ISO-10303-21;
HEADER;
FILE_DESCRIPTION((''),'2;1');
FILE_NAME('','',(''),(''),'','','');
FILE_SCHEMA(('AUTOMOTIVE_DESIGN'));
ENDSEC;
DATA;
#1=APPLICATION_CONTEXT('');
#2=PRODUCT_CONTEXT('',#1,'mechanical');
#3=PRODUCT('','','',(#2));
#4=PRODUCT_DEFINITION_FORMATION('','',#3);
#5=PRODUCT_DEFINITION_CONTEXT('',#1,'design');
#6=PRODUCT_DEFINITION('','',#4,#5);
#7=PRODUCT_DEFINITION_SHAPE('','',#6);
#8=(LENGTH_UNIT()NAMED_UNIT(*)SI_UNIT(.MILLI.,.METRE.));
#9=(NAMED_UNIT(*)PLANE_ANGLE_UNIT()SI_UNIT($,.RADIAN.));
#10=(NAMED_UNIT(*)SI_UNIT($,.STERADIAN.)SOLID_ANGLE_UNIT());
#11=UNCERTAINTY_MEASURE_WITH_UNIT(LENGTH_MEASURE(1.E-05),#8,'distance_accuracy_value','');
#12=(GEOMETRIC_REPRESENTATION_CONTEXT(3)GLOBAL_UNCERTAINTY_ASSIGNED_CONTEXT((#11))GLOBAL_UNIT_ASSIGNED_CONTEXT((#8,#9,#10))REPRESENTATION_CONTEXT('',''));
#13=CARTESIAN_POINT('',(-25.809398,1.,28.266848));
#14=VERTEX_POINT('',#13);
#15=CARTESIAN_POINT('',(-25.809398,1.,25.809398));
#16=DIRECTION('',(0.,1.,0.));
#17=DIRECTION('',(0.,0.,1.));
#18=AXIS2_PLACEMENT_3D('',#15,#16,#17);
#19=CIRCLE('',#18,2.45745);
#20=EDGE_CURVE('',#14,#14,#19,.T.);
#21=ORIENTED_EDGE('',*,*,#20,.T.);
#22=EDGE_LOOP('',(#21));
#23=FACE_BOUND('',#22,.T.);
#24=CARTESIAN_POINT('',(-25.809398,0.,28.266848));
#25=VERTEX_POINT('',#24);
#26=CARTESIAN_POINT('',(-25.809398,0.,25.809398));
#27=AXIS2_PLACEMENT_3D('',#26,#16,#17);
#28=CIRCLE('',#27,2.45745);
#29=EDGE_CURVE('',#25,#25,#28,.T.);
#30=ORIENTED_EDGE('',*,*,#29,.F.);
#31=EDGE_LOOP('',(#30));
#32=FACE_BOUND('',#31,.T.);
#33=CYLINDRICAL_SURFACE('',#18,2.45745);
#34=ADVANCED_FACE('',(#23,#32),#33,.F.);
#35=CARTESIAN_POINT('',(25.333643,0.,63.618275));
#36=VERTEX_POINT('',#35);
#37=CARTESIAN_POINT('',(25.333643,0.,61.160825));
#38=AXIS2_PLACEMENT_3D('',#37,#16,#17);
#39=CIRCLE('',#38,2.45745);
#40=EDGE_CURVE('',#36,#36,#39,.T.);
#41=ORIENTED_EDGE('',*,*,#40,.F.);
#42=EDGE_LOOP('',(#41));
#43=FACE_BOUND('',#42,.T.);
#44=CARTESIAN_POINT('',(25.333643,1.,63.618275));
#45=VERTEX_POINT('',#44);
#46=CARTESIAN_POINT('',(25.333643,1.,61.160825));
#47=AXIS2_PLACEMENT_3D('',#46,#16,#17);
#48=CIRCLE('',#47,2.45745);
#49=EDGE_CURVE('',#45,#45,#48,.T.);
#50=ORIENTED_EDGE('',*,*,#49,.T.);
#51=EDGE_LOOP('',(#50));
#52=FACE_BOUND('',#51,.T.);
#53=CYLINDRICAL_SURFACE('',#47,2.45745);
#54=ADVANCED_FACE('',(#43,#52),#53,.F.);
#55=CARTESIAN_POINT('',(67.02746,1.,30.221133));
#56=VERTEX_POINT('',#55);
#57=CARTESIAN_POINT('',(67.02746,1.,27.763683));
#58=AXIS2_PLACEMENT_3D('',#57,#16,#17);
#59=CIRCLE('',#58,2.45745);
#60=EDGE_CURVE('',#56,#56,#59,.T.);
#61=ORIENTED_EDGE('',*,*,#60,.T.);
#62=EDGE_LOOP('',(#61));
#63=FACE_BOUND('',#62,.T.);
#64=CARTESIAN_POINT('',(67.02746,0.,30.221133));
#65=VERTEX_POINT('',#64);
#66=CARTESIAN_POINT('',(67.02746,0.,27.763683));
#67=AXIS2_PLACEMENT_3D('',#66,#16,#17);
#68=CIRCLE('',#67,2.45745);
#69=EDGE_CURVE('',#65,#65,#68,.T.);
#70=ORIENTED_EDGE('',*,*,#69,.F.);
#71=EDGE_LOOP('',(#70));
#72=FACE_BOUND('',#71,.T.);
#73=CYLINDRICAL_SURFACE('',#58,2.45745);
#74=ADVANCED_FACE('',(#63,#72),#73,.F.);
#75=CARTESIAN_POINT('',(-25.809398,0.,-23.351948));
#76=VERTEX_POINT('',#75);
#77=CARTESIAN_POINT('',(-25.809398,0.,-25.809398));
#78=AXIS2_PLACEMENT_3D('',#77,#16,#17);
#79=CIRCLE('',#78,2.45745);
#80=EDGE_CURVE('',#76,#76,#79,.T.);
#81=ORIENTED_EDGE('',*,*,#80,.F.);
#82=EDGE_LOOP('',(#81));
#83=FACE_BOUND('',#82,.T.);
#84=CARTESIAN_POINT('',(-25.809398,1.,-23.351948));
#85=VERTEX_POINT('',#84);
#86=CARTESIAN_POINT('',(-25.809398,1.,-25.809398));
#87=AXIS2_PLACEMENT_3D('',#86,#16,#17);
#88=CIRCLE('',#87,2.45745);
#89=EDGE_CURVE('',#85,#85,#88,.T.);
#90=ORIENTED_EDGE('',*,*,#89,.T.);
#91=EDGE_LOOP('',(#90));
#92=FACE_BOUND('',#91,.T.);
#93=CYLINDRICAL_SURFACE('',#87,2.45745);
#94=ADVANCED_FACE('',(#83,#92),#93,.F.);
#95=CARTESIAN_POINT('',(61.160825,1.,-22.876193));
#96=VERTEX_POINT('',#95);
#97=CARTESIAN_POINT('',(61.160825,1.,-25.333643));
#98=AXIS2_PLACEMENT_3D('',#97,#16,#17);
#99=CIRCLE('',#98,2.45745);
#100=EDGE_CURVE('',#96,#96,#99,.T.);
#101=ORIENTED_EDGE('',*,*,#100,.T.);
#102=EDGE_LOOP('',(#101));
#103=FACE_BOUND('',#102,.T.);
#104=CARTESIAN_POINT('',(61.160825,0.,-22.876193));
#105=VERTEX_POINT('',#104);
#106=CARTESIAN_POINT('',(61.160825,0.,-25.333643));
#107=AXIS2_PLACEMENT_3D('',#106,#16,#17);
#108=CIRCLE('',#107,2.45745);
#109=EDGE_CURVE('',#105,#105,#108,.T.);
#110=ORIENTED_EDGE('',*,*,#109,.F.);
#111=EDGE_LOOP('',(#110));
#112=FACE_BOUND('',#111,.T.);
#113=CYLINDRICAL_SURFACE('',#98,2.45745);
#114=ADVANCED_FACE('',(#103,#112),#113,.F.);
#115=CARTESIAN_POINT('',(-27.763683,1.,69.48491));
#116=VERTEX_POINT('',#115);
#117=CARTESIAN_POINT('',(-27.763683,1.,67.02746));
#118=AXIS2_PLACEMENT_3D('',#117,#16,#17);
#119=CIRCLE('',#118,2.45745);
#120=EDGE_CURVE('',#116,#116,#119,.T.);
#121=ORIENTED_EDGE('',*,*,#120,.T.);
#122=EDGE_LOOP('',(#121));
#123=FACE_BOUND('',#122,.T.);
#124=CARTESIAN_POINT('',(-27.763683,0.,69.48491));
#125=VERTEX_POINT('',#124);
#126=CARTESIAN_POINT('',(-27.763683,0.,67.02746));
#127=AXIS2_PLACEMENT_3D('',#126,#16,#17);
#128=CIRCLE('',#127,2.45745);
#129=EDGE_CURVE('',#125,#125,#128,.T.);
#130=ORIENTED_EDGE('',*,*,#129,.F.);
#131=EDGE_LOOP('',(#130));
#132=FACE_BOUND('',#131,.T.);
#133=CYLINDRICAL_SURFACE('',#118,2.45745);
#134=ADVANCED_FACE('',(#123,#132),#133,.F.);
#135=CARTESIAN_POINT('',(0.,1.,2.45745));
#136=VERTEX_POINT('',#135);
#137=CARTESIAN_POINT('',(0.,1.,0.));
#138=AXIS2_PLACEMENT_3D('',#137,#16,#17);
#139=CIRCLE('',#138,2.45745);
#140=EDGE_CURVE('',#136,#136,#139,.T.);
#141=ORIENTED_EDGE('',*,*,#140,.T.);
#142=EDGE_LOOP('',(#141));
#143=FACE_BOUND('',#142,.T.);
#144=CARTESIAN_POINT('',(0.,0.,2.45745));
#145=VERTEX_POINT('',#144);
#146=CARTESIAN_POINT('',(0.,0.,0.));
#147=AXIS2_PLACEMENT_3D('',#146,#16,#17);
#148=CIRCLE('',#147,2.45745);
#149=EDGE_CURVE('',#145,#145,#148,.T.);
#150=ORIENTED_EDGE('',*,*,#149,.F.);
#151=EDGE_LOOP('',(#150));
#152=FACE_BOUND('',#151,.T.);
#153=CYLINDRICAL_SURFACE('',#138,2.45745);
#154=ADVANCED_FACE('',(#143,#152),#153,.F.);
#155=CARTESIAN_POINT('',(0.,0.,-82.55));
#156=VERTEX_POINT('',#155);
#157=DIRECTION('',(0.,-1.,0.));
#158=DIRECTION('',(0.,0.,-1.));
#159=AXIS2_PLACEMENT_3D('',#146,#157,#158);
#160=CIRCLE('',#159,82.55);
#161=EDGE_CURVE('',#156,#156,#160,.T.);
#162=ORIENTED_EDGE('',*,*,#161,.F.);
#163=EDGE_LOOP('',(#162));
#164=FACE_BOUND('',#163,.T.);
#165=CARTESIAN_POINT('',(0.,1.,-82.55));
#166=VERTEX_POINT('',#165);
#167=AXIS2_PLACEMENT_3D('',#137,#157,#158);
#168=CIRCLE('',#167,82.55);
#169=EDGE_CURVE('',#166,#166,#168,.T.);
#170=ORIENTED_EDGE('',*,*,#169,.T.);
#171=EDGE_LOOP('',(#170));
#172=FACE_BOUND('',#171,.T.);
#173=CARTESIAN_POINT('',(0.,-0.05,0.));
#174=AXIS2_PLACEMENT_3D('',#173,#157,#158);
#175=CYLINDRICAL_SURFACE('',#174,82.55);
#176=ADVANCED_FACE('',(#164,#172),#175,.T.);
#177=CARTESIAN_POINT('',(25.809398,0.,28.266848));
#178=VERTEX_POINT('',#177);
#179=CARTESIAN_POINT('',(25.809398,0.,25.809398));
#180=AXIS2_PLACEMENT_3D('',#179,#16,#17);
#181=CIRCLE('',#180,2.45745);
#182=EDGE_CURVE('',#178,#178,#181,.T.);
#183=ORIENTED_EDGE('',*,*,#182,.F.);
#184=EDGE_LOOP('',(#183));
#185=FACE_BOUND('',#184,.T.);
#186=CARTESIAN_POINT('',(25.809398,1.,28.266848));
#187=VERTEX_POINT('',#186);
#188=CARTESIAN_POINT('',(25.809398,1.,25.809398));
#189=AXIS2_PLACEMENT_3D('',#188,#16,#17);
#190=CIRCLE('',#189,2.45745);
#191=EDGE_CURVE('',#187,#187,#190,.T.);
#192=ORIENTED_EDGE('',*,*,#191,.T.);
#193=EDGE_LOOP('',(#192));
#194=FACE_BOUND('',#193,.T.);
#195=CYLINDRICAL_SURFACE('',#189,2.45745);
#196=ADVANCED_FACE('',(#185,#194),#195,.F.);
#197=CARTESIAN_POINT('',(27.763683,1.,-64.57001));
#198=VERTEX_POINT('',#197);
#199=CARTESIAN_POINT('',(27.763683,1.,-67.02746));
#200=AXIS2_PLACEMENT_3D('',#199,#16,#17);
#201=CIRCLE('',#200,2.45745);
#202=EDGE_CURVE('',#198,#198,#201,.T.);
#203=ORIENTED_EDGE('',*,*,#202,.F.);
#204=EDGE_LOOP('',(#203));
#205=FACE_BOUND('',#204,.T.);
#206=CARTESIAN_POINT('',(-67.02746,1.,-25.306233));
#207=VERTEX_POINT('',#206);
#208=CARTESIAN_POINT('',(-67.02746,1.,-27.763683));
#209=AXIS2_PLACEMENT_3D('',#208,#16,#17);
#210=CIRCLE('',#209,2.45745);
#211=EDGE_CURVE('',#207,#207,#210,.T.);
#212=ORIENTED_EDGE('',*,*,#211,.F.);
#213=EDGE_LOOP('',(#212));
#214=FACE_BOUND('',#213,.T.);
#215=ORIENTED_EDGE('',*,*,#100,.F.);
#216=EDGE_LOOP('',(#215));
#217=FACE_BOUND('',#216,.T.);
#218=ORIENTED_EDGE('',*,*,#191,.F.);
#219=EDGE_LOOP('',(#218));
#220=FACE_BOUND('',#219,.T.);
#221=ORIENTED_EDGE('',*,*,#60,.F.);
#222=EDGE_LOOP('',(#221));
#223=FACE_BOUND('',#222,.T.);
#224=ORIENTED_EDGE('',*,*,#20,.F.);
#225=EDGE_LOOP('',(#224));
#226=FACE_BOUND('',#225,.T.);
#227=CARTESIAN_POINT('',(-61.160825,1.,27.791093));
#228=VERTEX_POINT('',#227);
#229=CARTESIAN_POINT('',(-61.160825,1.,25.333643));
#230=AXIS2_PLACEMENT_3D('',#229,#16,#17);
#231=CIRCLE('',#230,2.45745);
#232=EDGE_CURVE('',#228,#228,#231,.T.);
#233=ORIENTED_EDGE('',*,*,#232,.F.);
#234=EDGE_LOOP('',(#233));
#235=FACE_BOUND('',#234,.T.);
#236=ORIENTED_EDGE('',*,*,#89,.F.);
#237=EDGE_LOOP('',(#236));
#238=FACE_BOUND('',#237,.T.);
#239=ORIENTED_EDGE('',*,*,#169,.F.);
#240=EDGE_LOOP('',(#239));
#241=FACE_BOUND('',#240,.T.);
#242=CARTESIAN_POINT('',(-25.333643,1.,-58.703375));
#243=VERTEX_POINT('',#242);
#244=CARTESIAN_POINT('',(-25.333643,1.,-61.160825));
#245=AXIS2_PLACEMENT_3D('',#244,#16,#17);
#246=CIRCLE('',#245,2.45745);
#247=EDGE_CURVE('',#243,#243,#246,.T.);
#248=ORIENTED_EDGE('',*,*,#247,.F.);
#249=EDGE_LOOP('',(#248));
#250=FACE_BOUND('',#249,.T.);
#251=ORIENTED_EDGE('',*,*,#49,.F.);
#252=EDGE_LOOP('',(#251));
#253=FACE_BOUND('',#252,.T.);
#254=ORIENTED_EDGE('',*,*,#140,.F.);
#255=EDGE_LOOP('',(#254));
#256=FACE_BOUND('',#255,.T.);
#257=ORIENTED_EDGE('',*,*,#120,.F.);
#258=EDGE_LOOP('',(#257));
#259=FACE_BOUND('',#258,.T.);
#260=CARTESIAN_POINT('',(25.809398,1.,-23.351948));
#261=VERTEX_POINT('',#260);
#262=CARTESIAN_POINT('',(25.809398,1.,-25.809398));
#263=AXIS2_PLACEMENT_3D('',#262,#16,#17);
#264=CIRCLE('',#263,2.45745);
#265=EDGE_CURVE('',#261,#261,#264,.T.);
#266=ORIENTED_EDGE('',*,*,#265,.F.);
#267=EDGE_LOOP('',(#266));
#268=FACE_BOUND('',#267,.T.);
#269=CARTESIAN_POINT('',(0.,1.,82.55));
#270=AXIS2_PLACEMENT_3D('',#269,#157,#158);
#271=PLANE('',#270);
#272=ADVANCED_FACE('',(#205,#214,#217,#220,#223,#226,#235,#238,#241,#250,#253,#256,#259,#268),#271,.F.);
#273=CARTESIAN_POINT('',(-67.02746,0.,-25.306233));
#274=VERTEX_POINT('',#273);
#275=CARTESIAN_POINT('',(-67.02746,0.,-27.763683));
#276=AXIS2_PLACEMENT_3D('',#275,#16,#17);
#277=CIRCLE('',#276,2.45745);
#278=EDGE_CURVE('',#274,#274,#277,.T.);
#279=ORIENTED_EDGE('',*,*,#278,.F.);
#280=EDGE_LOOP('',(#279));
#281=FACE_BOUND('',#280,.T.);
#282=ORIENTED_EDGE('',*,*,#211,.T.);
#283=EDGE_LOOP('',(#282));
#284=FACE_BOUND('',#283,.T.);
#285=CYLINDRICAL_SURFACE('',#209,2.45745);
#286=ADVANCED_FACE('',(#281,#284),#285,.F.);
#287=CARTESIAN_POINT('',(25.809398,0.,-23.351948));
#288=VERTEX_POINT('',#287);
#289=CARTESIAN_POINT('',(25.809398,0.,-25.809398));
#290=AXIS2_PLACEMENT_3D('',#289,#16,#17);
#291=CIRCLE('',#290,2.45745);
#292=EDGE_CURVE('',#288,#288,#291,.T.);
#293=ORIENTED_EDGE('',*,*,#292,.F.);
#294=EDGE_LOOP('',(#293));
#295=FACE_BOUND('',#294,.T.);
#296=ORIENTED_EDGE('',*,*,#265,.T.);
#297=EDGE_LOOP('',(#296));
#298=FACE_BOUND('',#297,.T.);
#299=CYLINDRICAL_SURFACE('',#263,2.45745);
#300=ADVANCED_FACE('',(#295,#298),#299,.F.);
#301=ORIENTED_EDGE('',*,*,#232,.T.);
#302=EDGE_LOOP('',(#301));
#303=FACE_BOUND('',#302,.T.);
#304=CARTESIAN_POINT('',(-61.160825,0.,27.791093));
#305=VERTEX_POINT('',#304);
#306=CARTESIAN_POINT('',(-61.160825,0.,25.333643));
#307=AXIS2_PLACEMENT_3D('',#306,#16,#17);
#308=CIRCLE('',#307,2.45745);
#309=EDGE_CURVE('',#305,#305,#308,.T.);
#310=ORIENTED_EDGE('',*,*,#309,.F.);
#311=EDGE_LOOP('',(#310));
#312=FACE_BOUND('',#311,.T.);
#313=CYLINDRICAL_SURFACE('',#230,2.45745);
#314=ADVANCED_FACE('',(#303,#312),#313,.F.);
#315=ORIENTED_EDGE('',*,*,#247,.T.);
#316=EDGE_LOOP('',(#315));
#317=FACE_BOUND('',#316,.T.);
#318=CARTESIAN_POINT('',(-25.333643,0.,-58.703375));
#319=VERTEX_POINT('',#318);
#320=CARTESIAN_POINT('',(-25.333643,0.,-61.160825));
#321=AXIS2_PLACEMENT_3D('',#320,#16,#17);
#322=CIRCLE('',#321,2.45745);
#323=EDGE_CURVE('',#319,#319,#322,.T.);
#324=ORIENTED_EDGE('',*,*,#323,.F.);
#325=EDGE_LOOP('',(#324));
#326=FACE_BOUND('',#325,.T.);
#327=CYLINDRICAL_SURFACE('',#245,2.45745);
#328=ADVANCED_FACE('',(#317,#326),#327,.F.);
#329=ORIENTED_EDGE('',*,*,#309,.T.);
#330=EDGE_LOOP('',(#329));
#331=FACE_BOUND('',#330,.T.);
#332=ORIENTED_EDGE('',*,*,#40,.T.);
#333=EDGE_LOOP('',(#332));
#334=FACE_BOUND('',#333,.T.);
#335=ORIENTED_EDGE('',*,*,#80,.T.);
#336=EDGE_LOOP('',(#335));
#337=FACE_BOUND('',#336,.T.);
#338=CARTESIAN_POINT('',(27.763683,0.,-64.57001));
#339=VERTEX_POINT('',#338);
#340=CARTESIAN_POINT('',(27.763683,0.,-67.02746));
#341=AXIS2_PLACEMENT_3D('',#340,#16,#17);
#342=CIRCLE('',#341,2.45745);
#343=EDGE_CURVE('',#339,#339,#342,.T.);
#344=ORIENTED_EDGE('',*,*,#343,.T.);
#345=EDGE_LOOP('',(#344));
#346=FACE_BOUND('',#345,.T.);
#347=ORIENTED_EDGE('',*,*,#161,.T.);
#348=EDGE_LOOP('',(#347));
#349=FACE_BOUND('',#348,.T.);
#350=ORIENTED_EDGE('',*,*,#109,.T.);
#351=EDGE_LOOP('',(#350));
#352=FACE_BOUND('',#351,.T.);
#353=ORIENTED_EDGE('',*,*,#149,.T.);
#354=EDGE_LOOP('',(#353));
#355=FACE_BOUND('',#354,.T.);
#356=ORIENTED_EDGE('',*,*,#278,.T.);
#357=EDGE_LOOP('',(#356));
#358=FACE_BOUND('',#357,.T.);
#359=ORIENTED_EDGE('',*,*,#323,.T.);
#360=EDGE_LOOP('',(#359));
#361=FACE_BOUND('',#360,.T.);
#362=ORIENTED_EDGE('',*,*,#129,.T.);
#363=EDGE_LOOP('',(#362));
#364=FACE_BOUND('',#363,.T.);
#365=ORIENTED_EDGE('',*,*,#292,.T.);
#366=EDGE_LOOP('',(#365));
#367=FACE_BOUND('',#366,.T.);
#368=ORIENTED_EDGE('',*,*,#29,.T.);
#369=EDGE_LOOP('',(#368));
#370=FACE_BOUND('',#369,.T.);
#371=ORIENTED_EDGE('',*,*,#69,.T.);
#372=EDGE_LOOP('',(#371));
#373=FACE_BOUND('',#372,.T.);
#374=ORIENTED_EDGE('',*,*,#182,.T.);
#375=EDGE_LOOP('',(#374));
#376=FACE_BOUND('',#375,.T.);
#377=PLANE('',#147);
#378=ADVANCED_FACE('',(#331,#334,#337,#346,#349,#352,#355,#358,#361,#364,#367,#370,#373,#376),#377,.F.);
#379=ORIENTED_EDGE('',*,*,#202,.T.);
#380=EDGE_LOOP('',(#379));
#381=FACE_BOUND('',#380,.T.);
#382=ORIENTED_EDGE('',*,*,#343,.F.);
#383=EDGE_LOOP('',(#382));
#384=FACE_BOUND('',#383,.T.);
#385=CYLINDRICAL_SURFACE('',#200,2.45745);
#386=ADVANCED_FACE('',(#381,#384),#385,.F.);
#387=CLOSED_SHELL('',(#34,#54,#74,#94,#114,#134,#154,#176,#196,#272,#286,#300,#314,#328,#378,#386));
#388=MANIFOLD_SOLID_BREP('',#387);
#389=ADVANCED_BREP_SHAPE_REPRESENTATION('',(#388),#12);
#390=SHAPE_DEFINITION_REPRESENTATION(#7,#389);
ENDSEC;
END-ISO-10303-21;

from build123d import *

# Parameters (mm, degrees)
SKETCH2_W                    = 82.55
SKETCH2_H                    = 1
F_10_0_1935_DIAMETER_HOLE1_D = 4.9149
CIRPATTERN3_COUNT            = 4
F_10_0_1935_DIAMETER_HOLE2_D = 4.9149


with BuildPart() as part:
    # Sketch2 → Revolve1 (revolve)
    with BuildSketch(Plane(origin=(0, 0, 0), x_dir=(0, 0, -1), z_dir=(1, 0, 0))):
        with Locations((-41.275, 0.5)):
            Rectangle(SKETCH2_W, SKETCH2_H)
    revolve(axis=Axis((0, -0.05, 0), (0, 1, 0)))

    # #10 (0.1935) Diameter Hole1 (through all)
    with Locations(Plane(origin=(0, 1, 0), x_dir=(1, 0, 0), z_dir=(0, 1, 0))):
        with Locations((-25.333643223, 61.160825052), (264.743675233, 73.787758551), (-67.027460084, 27.763683018), (-25.809397513, 25.809397513)):
            f_10_0_1935_diameter_hole1 = Hole(F_10_0_1935_DIAMETER_HOLE1_D / 2)

    # CirPattern3: #10 (0.1935) Diameter Hole1 ×4 about axis
    cirpattern3_axis = Axis((0, 0, 0), (0, 1, 0))
    for i in range(1, CIRPATTERN3_COUNT):
        add(f_10_0_1935_diameter_hole1.rotate(cirpattern3_axis, i * 360 / CIRPATTERN3_COUNT), mode=Mode.SUBTRACT)

    # #10 (0.1935) Diameter Hole2 (through all)
    with Locations(Plane(origin=(0, 1, 0), x_dir=(1, 0, 0), z_dir=(0, 1, 0))):
        with Locations((0, 0)):
            Hole(F_10_0_1935_DIAMETER_HOLE2_D / 2)


solid = part.part
